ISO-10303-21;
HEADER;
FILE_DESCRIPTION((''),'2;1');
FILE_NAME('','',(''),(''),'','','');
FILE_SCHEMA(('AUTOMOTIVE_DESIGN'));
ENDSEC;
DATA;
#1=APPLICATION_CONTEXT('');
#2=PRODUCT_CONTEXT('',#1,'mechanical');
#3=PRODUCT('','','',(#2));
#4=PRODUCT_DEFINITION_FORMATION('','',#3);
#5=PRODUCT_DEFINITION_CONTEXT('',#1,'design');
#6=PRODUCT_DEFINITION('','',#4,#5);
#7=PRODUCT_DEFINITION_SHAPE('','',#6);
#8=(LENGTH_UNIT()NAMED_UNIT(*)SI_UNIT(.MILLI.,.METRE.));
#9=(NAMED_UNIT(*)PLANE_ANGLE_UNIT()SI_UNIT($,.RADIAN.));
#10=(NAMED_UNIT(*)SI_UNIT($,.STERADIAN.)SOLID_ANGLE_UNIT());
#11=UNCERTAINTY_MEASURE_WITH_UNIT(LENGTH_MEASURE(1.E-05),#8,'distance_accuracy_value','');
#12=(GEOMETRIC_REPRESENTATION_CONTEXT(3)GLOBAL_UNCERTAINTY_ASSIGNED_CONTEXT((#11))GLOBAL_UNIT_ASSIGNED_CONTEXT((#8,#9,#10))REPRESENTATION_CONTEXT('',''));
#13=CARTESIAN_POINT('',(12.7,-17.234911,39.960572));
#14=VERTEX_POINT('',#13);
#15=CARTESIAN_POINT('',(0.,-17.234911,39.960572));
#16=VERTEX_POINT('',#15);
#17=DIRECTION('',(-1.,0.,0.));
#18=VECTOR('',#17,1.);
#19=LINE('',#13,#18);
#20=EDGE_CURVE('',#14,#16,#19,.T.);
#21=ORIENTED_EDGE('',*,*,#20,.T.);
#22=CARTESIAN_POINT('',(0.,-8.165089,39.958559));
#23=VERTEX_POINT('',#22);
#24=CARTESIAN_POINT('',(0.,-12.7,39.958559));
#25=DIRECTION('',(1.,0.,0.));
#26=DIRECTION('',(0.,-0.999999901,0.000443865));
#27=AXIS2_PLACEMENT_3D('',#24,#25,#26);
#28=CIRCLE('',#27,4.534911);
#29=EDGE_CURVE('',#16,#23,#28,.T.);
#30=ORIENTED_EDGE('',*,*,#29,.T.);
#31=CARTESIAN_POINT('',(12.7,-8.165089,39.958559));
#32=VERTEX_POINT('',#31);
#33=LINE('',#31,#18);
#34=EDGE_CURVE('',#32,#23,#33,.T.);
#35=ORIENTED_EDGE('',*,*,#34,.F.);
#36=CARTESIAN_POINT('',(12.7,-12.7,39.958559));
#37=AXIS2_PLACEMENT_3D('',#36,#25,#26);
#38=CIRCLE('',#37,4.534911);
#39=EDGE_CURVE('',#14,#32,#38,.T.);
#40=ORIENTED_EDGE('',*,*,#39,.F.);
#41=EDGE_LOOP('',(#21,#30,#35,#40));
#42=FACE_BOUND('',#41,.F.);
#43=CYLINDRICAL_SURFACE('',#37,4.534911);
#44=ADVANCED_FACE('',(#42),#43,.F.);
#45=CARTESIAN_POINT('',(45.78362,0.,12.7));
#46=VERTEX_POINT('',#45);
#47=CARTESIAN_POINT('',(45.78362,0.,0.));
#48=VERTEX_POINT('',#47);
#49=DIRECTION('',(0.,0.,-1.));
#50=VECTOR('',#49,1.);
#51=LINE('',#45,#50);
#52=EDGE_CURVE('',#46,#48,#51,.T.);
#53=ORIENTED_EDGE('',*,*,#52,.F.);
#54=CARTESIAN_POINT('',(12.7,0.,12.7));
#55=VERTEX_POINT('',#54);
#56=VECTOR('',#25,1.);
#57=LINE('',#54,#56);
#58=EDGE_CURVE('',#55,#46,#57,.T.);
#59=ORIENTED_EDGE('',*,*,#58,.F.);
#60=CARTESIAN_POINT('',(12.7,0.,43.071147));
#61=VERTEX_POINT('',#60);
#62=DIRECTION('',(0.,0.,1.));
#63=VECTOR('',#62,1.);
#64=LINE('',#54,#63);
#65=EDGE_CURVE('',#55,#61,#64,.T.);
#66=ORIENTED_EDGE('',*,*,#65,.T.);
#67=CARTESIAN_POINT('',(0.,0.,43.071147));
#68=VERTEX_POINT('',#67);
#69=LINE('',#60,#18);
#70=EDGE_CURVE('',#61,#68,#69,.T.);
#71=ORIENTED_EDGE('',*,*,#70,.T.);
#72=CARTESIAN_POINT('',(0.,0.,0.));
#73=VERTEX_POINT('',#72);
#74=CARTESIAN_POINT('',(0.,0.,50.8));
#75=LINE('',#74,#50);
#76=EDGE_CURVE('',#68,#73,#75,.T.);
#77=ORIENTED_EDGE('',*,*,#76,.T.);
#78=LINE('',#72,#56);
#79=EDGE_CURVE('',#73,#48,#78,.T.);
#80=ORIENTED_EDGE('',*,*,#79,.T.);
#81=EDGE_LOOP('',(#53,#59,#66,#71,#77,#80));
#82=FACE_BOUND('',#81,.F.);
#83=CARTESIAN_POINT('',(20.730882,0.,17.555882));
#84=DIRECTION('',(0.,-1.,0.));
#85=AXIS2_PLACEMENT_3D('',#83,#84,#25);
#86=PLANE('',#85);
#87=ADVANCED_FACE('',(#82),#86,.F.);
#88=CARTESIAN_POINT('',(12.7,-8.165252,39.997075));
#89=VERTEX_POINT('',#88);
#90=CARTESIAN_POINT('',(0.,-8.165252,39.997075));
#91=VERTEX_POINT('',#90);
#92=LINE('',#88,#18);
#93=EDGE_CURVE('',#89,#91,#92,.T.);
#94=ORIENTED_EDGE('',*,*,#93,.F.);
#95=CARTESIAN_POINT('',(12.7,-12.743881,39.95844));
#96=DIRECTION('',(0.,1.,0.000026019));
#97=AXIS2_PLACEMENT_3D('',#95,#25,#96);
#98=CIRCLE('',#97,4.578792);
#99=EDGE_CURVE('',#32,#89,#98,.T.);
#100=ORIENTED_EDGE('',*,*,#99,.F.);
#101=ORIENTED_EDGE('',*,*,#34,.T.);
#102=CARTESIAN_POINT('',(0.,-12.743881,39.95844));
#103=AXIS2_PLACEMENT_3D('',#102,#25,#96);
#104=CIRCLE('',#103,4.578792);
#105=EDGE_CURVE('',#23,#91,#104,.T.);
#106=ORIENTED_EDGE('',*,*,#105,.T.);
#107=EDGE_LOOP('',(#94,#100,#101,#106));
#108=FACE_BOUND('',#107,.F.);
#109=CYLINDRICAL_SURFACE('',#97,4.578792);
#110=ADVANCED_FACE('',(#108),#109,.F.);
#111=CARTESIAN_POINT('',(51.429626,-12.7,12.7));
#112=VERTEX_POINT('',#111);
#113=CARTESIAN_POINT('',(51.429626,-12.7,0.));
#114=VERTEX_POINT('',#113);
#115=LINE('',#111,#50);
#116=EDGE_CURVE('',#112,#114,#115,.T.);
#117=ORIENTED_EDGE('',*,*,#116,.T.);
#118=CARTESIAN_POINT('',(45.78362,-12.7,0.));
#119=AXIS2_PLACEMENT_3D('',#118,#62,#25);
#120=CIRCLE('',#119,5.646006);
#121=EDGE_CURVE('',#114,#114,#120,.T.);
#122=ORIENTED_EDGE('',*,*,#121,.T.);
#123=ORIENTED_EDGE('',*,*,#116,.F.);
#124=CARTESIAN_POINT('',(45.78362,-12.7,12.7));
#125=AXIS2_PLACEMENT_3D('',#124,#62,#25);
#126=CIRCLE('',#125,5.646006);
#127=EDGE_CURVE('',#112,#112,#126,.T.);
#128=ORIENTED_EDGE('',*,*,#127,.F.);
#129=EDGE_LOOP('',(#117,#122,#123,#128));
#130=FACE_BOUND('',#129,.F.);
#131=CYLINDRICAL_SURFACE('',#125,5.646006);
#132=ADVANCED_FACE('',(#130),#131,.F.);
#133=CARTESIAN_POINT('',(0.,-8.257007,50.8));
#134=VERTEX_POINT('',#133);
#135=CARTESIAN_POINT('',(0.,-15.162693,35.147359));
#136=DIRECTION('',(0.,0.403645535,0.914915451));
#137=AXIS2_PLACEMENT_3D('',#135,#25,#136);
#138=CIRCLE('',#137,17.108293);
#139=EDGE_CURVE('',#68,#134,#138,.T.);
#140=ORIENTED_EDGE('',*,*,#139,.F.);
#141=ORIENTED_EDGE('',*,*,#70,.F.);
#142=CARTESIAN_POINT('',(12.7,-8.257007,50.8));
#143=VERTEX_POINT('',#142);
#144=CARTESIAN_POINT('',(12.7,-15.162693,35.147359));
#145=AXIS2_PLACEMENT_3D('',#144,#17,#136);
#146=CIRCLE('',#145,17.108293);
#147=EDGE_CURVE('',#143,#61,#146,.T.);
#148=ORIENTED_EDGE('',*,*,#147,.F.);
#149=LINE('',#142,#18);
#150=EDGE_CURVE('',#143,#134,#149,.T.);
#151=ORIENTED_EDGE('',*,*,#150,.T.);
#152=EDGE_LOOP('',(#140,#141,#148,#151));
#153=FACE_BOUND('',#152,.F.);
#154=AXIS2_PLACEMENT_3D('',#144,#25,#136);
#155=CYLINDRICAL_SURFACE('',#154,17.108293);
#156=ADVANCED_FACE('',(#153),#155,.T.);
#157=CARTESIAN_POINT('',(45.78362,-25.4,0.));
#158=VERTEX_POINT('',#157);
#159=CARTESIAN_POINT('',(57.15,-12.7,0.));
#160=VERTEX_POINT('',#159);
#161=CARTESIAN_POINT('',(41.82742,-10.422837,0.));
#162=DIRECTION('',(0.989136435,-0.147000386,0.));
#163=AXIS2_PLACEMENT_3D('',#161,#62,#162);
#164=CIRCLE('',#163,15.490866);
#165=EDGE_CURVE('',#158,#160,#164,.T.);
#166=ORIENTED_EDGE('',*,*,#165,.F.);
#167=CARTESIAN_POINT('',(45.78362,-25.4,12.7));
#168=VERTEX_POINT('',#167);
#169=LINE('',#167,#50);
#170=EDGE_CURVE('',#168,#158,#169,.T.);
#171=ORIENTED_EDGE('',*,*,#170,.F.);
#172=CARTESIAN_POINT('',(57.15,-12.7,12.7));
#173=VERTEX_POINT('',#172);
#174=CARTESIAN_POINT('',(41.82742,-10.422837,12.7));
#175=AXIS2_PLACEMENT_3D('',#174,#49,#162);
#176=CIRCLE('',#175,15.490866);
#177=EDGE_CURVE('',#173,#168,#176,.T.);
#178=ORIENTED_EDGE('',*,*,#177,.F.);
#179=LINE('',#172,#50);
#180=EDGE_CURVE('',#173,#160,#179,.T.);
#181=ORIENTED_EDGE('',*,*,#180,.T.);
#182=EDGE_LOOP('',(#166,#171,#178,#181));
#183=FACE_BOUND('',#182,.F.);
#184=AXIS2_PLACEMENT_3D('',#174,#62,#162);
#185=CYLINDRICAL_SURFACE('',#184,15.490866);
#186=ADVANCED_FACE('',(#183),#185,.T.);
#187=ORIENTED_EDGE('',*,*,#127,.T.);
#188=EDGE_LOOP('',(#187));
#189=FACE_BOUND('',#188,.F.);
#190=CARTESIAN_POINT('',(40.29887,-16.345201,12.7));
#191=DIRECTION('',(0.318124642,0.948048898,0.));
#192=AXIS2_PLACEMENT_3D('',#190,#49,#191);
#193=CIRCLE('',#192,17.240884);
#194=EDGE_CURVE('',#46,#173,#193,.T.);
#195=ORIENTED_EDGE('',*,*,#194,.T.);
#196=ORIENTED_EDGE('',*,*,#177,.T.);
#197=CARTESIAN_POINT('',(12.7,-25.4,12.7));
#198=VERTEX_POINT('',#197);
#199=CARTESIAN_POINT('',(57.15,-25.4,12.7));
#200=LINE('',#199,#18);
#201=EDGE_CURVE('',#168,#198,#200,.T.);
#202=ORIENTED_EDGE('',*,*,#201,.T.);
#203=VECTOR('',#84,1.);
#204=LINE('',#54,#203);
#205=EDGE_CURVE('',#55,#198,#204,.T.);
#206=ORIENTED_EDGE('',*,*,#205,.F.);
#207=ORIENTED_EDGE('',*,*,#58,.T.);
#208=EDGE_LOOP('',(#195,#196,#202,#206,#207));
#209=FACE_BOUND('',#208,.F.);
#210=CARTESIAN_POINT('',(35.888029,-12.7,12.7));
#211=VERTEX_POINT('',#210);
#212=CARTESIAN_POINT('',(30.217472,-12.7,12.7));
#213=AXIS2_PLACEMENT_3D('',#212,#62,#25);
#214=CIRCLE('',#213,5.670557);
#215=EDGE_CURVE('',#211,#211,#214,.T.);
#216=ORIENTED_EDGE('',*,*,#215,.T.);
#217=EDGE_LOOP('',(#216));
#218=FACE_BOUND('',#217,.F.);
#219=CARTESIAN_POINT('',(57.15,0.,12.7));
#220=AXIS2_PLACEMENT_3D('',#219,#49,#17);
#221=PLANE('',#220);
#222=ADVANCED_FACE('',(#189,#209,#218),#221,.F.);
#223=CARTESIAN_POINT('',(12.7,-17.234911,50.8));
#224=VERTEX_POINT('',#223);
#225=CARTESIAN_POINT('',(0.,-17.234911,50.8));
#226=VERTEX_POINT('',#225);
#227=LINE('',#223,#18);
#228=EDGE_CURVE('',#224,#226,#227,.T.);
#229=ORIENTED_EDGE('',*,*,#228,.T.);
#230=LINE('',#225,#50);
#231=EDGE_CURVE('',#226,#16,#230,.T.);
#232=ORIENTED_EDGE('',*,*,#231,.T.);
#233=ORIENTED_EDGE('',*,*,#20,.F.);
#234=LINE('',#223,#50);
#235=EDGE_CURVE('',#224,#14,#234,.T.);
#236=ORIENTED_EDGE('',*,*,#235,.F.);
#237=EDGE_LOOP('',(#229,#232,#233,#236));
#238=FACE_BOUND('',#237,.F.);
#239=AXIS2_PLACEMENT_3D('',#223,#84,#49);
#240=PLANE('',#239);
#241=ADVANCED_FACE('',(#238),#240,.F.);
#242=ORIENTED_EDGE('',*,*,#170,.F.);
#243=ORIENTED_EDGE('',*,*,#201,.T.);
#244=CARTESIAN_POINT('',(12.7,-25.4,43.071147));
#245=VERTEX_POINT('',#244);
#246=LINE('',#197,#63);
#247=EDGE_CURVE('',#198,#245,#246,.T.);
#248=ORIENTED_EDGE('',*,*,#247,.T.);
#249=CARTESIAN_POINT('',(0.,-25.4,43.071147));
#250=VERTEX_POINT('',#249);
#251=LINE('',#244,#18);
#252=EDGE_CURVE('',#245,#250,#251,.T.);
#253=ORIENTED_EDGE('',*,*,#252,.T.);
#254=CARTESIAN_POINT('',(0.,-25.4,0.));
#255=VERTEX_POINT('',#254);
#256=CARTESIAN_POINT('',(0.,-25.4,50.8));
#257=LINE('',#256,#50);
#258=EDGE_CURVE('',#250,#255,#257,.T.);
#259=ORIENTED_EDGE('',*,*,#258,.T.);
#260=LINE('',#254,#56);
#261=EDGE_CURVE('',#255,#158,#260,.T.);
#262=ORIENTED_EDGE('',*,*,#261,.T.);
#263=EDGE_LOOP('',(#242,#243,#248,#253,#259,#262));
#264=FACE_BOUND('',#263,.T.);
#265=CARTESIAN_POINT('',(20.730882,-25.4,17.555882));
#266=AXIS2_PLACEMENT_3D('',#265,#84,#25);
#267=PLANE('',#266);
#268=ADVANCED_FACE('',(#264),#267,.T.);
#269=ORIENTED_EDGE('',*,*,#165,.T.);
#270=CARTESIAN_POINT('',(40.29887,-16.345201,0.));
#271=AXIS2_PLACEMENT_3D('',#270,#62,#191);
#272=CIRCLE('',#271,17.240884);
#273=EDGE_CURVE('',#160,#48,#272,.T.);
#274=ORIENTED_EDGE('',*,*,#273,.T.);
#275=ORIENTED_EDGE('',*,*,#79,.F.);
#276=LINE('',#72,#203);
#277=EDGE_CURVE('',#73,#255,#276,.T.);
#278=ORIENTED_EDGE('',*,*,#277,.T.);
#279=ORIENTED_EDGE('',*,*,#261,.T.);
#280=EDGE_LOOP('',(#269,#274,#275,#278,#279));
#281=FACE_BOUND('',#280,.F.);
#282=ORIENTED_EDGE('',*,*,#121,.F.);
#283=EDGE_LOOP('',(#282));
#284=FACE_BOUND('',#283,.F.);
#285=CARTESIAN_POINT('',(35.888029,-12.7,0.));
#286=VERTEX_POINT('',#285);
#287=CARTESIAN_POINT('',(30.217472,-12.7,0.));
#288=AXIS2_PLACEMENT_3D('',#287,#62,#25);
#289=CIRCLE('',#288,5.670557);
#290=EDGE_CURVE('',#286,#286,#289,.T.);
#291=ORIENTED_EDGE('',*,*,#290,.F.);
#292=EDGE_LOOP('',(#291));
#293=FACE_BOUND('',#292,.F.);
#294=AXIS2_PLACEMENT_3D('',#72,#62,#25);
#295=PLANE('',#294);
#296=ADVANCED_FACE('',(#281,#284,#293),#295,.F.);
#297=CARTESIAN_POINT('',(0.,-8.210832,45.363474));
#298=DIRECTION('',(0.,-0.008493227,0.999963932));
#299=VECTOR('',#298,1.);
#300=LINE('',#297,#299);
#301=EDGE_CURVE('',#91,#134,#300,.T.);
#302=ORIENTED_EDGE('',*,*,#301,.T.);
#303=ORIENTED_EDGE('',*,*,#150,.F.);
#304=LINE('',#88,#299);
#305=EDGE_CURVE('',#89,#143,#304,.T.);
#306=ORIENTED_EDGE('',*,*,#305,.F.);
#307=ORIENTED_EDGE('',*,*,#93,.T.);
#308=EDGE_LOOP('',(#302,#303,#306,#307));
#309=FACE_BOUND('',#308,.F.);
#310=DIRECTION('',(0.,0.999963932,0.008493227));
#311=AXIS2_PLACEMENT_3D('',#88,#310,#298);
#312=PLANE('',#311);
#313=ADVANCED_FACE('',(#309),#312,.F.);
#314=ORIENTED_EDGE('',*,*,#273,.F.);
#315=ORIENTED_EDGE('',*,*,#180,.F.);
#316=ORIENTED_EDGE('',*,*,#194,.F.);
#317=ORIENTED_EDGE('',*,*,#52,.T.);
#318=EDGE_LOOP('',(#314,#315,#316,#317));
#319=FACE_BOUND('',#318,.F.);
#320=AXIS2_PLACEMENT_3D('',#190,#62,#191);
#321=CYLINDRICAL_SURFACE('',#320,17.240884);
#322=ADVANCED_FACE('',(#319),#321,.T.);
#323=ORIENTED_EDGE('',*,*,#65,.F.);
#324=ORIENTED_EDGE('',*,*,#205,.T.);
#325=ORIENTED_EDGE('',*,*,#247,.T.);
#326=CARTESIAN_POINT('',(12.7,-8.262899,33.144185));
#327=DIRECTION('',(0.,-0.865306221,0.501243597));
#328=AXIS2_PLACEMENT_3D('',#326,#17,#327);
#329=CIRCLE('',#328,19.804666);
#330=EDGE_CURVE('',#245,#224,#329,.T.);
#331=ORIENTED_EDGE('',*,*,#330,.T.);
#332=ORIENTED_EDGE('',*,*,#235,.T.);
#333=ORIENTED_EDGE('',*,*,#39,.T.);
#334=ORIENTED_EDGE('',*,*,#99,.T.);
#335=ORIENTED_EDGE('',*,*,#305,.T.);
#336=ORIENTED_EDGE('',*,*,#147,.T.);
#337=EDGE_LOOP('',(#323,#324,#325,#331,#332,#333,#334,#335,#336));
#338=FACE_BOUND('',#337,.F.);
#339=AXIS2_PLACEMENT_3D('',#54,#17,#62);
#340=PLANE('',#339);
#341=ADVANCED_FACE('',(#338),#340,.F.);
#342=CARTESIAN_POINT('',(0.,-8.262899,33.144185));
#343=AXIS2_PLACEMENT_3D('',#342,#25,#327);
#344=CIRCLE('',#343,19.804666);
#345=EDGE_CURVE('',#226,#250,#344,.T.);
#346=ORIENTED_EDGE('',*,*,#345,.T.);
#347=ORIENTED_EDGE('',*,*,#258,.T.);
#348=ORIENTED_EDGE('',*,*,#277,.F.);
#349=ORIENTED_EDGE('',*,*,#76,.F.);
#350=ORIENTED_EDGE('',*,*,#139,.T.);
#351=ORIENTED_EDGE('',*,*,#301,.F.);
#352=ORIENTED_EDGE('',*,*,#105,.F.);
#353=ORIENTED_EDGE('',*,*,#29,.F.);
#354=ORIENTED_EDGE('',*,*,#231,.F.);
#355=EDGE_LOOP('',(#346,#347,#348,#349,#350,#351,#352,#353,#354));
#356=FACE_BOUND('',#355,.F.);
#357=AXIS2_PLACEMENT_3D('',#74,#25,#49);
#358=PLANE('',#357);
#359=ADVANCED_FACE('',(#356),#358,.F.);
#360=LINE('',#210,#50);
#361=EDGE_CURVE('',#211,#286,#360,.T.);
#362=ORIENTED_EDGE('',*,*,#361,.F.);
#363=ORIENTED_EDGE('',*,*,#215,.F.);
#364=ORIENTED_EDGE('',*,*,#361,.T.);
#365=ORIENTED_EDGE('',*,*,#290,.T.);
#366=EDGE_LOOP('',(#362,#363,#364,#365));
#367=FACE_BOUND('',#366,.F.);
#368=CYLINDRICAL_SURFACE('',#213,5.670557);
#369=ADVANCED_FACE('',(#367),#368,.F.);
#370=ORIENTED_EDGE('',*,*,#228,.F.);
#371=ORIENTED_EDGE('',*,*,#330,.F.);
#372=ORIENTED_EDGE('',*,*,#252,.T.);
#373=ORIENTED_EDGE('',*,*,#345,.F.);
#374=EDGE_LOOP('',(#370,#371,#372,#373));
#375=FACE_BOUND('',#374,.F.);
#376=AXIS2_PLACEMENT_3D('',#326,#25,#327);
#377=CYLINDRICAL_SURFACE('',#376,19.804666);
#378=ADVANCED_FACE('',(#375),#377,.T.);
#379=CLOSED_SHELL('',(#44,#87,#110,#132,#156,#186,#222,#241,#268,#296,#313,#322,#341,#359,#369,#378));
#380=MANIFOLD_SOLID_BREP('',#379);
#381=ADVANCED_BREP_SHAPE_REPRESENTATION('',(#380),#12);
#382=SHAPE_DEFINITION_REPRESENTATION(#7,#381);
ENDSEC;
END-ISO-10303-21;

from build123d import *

# Parameters (mm, degrees)
F1_DEPTH = 25.4
F3_DEPTH = 25.4
F5_DEPTH = 25.4
F6_R     = 5.646006
F6_R_2   = 5.670557
F7_DEPTH = 25.4


with BuildPart() as f1:
    # F0 (on Front) → F1 (new body)
    with BuildSketch(Plane.XZ):
        Polygon((0, 50.8), (0, 0), (57.15, 0), (57.15, 12.7), (12.7, 12.7), (12.7, 50.8), align=None)
    extrude(amount=F1_DEPTH)

    # F2 (on face) → F3 (cut)
    with BuildSketch(Plane.YZ.offset(12.7)):
        with BuildLine():
            ThreePointArc((-17.234911, 39.960572), (-12.701006, 35.423648), (-8.165089, 39.958559))
            ThreePointArc((-8.165089, 39.958559), (-8.16513, 39.977817), (-8.165252, 39.997075))
            ThreePointArc((-8.165252, 39.997075), (-12.718252, 44.493433), (-17.234911, 39.960572))
        make_face()
        with BuildLine():
            ThreePointArc((-25.4, 43.071147), (-21.877422, 47.527146), (-17.234911, 50.8))
            Line((-17.234911, 50.8), (-25.4, 50.8))
            Line((-25.4, 50.8), (-25.4, 43.071147))
        make_face()
        with BuildLine():
            ThreePointArc((-17.234911, 39.960572), (-12.718252, 44.493433), (-8.165252, 39.997075))
            Line((-8.165252, 39.997075), (-8.257007, 50.8))
            Line((-8.257007, 50.8), (-17.234911, 50.8))
            Line((-17.234911, 50.8), (-17.234911, 39.960572))
        make_face()
        with BuildLine():
            Line((0, 50.8), (-8.257007, 50.8))
            ThreePointArc((-8.257007, 50.8), (-3.471366, 47.637617), (0, 43.071147))
            Line((0, 43.071147), (0, 50.8))
        make_face()
    extrude(amount=-F3_DEPTH, mode=Mode.SUBTRACT)

    # F4 (on face) → F5 (cut)
    with BuildSketch(Plane.XY.offset(12.7)):
        with BuildLine():
            ThreePointArc((44.68115, 0), (52.530241, -4.764723), (57.15, -12.7))
            Line((57.15, -12.7), (57.15, 0))
            Line((57.15, 0), (44.68115, 0))
        make_face()
        with BuildLine():
            Line((57.15, -25.4), (57.15, -12.7))
            ThreePointArc((57.15, -12.7), (52.52777, -20.632851), (44.68115, -25.4))
            Line((44.68115, -25.4), (57.15, -25.4))
        make_face()
    extrude(amount=F5_DEPTH, mode=Mode.SUBTRACT)

    # F6 (on face) → F7 (cut)
    with BuildSketch(Plane.XY.offset(12.7)):
        with Locations((45.78362, -12.7)):
            Circle(F6_R)
        with Locations((30.217472, -12.7)):
            Circle(F6_R_2)
        with BuildLine():
            ThreePointArc((45.78362, 0), (53.145869, -4.847258), (57.15, -12.7))
            Line((57.15, -12.7), (57.15, 0))
            Line((57.15, 0), (45.78362, 0))
        make_face()
        with BuildLine():
            Line((57.15, -25.4), (57.15, -12.7))
            ThreePointArc((57.15, -12.7), (53.370398, -20.753693), (45.78362, -25.4))
            Line((45.78362, -25.4), (57.15, -25.4))
        make_face()
    extrude(amount=-F7_DEPTH, mode=Mode.SUBTRACT)


solid = f1.part
